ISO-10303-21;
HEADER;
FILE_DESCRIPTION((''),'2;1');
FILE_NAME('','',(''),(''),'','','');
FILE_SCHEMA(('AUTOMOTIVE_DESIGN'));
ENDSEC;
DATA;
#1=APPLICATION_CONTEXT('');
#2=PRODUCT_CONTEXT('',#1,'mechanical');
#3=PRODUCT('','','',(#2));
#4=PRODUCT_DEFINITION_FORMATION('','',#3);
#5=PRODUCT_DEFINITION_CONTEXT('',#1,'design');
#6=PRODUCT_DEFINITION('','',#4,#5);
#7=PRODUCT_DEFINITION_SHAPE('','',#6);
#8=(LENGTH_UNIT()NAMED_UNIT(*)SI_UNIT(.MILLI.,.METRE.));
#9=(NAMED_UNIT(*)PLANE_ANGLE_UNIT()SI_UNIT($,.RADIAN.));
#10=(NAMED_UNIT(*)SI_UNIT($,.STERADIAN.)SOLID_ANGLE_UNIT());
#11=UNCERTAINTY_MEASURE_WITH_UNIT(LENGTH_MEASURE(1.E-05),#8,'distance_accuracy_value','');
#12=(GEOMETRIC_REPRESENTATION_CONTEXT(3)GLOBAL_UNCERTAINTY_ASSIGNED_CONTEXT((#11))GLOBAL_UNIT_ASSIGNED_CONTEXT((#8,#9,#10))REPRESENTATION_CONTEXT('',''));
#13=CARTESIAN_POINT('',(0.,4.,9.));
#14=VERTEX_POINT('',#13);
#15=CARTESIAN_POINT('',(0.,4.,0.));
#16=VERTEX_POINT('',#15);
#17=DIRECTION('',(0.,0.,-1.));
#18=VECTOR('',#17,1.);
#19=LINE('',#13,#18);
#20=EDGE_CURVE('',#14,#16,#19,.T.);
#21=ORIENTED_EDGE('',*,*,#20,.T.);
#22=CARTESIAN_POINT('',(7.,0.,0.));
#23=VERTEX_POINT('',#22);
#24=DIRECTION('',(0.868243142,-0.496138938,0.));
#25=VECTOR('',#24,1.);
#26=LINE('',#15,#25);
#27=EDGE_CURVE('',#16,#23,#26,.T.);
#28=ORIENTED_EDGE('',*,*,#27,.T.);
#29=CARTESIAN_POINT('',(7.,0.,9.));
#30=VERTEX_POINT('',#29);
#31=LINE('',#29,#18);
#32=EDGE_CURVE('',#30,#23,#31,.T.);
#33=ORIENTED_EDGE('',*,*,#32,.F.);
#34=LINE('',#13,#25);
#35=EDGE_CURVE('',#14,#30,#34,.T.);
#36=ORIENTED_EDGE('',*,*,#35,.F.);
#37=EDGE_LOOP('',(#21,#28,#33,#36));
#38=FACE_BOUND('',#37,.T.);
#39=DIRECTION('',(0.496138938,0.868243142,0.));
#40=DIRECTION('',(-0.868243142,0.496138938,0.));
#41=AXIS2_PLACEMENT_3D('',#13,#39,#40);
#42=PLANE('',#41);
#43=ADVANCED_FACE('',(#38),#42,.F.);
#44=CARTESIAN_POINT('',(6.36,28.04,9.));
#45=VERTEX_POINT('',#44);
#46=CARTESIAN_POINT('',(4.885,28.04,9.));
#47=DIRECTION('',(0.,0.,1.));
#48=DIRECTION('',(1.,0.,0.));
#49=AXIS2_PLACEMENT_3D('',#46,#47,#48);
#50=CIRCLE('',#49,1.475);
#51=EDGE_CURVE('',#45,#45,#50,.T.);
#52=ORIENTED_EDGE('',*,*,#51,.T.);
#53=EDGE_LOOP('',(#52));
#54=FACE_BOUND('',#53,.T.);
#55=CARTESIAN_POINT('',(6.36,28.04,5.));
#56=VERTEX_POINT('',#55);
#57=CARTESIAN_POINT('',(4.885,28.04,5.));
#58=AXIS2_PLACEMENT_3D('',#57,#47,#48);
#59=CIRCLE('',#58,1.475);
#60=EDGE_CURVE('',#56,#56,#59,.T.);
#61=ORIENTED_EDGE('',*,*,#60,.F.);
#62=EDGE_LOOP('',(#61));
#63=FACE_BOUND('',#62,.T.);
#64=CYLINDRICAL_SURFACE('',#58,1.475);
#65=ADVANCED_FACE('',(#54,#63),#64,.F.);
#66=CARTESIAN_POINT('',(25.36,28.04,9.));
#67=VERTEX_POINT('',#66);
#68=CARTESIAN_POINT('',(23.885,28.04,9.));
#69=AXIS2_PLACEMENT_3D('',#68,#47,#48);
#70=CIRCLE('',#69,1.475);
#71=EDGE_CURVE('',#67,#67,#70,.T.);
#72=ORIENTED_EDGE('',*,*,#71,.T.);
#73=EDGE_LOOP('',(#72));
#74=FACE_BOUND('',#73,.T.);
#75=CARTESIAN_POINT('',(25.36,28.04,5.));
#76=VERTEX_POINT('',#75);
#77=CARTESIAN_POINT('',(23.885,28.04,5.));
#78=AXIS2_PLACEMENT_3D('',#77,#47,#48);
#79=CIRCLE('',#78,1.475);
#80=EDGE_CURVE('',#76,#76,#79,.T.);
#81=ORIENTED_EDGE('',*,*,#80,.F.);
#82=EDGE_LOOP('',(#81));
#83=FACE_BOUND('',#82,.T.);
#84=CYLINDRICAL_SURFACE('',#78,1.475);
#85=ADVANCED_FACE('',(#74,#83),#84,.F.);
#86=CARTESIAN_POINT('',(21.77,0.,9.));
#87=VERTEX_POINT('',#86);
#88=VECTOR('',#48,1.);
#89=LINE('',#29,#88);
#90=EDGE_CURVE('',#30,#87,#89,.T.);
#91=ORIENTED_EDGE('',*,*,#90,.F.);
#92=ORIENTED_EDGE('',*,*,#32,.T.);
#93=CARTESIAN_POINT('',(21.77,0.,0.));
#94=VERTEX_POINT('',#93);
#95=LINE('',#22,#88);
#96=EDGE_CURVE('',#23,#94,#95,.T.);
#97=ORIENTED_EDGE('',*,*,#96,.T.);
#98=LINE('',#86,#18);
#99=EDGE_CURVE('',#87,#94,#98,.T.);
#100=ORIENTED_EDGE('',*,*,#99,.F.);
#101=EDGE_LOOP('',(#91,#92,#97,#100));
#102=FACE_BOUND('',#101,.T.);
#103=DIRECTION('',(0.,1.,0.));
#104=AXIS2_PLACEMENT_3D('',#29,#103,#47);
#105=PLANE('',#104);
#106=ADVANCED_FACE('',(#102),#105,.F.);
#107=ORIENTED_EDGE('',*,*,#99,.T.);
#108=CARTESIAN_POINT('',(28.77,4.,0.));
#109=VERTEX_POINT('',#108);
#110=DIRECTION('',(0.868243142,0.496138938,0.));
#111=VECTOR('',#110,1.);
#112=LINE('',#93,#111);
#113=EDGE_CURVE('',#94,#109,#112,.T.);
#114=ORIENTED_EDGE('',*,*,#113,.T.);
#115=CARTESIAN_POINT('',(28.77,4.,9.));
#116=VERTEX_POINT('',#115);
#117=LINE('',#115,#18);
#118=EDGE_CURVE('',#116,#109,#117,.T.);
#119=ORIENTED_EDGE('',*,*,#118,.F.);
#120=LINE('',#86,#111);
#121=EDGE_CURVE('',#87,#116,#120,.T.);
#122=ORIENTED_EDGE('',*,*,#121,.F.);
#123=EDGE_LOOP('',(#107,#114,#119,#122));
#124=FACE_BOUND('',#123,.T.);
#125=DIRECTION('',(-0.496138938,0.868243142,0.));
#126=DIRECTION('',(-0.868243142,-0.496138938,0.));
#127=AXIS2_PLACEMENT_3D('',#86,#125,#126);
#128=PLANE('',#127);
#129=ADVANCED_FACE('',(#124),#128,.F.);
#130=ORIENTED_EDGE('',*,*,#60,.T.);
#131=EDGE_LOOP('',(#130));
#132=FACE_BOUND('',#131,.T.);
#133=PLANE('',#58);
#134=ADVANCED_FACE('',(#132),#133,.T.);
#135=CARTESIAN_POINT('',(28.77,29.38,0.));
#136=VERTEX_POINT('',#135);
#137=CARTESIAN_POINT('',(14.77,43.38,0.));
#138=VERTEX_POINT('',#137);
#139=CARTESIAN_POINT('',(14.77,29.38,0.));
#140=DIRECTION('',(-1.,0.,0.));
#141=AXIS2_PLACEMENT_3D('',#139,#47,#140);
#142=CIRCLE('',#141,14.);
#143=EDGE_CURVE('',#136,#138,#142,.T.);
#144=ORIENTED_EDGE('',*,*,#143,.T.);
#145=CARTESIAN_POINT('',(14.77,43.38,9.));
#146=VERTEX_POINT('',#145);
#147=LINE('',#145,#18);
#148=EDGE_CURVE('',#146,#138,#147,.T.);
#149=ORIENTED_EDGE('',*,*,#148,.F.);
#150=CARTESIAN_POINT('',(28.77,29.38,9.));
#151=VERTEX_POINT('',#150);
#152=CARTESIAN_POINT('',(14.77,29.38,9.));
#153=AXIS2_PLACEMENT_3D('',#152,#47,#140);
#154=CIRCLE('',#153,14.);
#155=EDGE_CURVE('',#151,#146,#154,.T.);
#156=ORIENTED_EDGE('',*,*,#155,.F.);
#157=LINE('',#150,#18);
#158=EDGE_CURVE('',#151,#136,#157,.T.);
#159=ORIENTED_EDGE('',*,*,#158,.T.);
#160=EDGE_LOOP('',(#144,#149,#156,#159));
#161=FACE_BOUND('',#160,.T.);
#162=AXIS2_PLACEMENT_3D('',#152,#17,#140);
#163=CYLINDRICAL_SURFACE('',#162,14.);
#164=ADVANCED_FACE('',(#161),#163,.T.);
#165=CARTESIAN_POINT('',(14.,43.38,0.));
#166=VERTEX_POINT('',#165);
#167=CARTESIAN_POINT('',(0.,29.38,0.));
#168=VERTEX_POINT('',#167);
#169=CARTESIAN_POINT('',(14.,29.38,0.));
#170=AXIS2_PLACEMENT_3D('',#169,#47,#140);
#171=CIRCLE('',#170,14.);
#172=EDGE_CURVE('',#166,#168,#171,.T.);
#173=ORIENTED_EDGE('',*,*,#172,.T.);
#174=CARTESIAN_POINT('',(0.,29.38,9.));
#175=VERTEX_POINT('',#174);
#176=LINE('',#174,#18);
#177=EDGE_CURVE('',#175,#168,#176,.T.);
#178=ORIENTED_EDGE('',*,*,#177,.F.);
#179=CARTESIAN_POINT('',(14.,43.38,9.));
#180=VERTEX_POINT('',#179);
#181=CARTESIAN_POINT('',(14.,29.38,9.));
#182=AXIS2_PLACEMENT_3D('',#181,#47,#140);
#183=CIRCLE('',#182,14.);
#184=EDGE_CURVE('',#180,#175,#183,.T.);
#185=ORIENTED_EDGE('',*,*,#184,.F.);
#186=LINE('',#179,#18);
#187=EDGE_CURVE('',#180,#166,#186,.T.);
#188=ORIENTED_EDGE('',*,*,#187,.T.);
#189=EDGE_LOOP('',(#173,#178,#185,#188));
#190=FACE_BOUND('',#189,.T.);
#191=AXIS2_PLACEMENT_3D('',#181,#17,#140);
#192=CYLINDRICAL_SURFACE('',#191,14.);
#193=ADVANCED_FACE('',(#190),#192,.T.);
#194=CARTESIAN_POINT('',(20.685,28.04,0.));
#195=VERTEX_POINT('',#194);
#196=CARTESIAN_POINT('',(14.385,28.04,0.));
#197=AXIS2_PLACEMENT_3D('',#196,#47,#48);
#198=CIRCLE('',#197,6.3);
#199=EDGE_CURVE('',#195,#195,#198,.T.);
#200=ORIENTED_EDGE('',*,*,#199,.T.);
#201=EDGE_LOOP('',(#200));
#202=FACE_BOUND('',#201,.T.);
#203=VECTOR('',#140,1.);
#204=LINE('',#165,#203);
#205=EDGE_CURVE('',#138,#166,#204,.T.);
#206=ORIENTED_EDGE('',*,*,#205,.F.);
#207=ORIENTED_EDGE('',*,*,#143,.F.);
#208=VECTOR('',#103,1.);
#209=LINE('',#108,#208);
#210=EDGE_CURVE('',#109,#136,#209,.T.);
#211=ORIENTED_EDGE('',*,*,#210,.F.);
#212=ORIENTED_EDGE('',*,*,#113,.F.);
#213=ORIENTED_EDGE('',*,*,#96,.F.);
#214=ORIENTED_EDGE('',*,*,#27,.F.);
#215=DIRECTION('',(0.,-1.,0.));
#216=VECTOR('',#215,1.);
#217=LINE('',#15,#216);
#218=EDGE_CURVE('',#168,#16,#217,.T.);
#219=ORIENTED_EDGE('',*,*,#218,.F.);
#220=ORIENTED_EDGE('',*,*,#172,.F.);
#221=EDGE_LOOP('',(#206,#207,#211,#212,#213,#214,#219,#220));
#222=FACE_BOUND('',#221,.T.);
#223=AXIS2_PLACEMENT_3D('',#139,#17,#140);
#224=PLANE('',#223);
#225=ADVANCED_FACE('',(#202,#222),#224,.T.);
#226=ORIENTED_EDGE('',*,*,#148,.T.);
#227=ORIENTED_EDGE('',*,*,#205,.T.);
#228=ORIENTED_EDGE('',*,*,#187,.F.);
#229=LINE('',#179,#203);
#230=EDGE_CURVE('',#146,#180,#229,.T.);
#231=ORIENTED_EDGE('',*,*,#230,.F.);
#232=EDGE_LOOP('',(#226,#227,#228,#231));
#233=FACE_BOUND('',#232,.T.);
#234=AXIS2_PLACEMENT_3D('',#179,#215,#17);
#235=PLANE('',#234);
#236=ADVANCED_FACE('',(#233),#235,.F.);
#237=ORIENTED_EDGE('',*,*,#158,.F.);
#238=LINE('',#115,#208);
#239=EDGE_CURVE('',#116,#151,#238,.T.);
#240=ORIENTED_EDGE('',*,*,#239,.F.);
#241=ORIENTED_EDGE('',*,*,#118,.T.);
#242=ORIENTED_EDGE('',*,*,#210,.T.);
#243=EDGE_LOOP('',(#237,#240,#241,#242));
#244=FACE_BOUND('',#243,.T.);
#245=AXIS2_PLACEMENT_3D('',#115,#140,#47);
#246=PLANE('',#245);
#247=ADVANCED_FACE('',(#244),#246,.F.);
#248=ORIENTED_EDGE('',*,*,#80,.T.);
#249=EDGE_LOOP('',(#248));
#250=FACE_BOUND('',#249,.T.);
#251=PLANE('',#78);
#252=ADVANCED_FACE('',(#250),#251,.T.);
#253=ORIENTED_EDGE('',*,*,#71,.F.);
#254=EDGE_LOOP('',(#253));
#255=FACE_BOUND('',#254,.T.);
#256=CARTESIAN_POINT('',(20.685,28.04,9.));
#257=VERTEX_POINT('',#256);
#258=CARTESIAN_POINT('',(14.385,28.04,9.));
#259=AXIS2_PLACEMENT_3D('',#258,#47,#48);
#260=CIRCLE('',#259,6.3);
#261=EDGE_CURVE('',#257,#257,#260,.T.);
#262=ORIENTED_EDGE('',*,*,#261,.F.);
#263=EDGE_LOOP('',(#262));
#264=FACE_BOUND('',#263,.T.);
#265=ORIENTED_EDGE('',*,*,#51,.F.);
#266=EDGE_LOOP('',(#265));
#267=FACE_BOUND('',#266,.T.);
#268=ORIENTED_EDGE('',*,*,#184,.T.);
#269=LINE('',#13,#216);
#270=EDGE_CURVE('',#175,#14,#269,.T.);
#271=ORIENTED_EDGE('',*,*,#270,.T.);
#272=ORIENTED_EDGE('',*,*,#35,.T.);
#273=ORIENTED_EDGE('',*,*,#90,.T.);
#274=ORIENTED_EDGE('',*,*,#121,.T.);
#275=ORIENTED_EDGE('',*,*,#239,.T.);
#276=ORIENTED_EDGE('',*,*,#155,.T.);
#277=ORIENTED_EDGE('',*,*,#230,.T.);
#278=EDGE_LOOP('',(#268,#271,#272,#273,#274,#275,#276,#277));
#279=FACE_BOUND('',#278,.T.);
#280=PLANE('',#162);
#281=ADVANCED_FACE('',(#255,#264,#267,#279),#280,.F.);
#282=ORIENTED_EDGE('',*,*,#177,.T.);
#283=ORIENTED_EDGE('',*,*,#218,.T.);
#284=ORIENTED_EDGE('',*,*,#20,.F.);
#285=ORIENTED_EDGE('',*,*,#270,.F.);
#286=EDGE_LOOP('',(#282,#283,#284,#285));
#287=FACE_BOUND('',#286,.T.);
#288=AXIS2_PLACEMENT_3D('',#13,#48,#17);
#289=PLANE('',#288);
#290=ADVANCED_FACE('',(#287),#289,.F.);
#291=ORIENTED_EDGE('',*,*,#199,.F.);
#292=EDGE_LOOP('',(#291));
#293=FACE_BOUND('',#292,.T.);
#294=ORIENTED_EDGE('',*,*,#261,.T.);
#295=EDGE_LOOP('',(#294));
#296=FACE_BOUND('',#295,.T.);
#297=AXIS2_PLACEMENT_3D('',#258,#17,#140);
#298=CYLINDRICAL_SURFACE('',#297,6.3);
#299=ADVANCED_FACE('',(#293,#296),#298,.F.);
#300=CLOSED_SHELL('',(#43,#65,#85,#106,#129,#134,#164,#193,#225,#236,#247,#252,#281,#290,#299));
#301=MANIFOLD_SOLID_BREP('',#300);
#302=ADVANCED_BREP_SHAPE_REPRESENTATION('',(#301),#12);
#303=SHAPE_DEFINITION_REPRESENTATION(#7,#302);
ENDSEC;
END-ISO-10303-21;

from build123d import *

# Parameters (mm, degrees)
SKETCH2_R           = 6.3
BOSS_EXTRUDE1_DEPTH = 9
SKETCH3_R           = 1.475
CUT_EXTRUDE1_DEPTH  = 4


with BuildPart() as part:
    # Sketch2 → Boss-Extrude1 (new body)
    with BuildSketch(Plane.XY):
        with BuildLine():
            Line((0, 4), (7, 0))
            Line((7, 0), (21.77, 0))
            Line((21.77, 0), (28.77, 4))
            Line((28.77, 4), (28.77, 29.38))
            ThreePointArc((28.77, 29.38), (24.669494937, 39.279494937), (14.77, 43.38))
            Line((14.77, 43.38), (14, 43.38))
            ThreePointArc((14, 43.38), (4.100505063, 39.279494937), (0, 29.38))
            Line((0, 29.38), (0, 4))
        make_face()
        with Locations((14.385, 28.04)):
            Circle(SKETCH2_R, mode=Mode.SUBTRACT)
    extrude(amount=BOSS_EXTRUDE1_DEPTH)

    # Sketch3 → Cut-Extrude1 (cut)
    with BuildSketch(Plane.XY.offset(9)):
        with Locations((4.885, 28.04)):
            Circle(SKETCH3_R)
        with Locations((23.885, 28.04)):
            Circle(SKETCH3_R)
    extrude(amount=-CUT_EXTRUDE1_DEPTH, mode=Mode.SUBTRACT)


solid = part.part
